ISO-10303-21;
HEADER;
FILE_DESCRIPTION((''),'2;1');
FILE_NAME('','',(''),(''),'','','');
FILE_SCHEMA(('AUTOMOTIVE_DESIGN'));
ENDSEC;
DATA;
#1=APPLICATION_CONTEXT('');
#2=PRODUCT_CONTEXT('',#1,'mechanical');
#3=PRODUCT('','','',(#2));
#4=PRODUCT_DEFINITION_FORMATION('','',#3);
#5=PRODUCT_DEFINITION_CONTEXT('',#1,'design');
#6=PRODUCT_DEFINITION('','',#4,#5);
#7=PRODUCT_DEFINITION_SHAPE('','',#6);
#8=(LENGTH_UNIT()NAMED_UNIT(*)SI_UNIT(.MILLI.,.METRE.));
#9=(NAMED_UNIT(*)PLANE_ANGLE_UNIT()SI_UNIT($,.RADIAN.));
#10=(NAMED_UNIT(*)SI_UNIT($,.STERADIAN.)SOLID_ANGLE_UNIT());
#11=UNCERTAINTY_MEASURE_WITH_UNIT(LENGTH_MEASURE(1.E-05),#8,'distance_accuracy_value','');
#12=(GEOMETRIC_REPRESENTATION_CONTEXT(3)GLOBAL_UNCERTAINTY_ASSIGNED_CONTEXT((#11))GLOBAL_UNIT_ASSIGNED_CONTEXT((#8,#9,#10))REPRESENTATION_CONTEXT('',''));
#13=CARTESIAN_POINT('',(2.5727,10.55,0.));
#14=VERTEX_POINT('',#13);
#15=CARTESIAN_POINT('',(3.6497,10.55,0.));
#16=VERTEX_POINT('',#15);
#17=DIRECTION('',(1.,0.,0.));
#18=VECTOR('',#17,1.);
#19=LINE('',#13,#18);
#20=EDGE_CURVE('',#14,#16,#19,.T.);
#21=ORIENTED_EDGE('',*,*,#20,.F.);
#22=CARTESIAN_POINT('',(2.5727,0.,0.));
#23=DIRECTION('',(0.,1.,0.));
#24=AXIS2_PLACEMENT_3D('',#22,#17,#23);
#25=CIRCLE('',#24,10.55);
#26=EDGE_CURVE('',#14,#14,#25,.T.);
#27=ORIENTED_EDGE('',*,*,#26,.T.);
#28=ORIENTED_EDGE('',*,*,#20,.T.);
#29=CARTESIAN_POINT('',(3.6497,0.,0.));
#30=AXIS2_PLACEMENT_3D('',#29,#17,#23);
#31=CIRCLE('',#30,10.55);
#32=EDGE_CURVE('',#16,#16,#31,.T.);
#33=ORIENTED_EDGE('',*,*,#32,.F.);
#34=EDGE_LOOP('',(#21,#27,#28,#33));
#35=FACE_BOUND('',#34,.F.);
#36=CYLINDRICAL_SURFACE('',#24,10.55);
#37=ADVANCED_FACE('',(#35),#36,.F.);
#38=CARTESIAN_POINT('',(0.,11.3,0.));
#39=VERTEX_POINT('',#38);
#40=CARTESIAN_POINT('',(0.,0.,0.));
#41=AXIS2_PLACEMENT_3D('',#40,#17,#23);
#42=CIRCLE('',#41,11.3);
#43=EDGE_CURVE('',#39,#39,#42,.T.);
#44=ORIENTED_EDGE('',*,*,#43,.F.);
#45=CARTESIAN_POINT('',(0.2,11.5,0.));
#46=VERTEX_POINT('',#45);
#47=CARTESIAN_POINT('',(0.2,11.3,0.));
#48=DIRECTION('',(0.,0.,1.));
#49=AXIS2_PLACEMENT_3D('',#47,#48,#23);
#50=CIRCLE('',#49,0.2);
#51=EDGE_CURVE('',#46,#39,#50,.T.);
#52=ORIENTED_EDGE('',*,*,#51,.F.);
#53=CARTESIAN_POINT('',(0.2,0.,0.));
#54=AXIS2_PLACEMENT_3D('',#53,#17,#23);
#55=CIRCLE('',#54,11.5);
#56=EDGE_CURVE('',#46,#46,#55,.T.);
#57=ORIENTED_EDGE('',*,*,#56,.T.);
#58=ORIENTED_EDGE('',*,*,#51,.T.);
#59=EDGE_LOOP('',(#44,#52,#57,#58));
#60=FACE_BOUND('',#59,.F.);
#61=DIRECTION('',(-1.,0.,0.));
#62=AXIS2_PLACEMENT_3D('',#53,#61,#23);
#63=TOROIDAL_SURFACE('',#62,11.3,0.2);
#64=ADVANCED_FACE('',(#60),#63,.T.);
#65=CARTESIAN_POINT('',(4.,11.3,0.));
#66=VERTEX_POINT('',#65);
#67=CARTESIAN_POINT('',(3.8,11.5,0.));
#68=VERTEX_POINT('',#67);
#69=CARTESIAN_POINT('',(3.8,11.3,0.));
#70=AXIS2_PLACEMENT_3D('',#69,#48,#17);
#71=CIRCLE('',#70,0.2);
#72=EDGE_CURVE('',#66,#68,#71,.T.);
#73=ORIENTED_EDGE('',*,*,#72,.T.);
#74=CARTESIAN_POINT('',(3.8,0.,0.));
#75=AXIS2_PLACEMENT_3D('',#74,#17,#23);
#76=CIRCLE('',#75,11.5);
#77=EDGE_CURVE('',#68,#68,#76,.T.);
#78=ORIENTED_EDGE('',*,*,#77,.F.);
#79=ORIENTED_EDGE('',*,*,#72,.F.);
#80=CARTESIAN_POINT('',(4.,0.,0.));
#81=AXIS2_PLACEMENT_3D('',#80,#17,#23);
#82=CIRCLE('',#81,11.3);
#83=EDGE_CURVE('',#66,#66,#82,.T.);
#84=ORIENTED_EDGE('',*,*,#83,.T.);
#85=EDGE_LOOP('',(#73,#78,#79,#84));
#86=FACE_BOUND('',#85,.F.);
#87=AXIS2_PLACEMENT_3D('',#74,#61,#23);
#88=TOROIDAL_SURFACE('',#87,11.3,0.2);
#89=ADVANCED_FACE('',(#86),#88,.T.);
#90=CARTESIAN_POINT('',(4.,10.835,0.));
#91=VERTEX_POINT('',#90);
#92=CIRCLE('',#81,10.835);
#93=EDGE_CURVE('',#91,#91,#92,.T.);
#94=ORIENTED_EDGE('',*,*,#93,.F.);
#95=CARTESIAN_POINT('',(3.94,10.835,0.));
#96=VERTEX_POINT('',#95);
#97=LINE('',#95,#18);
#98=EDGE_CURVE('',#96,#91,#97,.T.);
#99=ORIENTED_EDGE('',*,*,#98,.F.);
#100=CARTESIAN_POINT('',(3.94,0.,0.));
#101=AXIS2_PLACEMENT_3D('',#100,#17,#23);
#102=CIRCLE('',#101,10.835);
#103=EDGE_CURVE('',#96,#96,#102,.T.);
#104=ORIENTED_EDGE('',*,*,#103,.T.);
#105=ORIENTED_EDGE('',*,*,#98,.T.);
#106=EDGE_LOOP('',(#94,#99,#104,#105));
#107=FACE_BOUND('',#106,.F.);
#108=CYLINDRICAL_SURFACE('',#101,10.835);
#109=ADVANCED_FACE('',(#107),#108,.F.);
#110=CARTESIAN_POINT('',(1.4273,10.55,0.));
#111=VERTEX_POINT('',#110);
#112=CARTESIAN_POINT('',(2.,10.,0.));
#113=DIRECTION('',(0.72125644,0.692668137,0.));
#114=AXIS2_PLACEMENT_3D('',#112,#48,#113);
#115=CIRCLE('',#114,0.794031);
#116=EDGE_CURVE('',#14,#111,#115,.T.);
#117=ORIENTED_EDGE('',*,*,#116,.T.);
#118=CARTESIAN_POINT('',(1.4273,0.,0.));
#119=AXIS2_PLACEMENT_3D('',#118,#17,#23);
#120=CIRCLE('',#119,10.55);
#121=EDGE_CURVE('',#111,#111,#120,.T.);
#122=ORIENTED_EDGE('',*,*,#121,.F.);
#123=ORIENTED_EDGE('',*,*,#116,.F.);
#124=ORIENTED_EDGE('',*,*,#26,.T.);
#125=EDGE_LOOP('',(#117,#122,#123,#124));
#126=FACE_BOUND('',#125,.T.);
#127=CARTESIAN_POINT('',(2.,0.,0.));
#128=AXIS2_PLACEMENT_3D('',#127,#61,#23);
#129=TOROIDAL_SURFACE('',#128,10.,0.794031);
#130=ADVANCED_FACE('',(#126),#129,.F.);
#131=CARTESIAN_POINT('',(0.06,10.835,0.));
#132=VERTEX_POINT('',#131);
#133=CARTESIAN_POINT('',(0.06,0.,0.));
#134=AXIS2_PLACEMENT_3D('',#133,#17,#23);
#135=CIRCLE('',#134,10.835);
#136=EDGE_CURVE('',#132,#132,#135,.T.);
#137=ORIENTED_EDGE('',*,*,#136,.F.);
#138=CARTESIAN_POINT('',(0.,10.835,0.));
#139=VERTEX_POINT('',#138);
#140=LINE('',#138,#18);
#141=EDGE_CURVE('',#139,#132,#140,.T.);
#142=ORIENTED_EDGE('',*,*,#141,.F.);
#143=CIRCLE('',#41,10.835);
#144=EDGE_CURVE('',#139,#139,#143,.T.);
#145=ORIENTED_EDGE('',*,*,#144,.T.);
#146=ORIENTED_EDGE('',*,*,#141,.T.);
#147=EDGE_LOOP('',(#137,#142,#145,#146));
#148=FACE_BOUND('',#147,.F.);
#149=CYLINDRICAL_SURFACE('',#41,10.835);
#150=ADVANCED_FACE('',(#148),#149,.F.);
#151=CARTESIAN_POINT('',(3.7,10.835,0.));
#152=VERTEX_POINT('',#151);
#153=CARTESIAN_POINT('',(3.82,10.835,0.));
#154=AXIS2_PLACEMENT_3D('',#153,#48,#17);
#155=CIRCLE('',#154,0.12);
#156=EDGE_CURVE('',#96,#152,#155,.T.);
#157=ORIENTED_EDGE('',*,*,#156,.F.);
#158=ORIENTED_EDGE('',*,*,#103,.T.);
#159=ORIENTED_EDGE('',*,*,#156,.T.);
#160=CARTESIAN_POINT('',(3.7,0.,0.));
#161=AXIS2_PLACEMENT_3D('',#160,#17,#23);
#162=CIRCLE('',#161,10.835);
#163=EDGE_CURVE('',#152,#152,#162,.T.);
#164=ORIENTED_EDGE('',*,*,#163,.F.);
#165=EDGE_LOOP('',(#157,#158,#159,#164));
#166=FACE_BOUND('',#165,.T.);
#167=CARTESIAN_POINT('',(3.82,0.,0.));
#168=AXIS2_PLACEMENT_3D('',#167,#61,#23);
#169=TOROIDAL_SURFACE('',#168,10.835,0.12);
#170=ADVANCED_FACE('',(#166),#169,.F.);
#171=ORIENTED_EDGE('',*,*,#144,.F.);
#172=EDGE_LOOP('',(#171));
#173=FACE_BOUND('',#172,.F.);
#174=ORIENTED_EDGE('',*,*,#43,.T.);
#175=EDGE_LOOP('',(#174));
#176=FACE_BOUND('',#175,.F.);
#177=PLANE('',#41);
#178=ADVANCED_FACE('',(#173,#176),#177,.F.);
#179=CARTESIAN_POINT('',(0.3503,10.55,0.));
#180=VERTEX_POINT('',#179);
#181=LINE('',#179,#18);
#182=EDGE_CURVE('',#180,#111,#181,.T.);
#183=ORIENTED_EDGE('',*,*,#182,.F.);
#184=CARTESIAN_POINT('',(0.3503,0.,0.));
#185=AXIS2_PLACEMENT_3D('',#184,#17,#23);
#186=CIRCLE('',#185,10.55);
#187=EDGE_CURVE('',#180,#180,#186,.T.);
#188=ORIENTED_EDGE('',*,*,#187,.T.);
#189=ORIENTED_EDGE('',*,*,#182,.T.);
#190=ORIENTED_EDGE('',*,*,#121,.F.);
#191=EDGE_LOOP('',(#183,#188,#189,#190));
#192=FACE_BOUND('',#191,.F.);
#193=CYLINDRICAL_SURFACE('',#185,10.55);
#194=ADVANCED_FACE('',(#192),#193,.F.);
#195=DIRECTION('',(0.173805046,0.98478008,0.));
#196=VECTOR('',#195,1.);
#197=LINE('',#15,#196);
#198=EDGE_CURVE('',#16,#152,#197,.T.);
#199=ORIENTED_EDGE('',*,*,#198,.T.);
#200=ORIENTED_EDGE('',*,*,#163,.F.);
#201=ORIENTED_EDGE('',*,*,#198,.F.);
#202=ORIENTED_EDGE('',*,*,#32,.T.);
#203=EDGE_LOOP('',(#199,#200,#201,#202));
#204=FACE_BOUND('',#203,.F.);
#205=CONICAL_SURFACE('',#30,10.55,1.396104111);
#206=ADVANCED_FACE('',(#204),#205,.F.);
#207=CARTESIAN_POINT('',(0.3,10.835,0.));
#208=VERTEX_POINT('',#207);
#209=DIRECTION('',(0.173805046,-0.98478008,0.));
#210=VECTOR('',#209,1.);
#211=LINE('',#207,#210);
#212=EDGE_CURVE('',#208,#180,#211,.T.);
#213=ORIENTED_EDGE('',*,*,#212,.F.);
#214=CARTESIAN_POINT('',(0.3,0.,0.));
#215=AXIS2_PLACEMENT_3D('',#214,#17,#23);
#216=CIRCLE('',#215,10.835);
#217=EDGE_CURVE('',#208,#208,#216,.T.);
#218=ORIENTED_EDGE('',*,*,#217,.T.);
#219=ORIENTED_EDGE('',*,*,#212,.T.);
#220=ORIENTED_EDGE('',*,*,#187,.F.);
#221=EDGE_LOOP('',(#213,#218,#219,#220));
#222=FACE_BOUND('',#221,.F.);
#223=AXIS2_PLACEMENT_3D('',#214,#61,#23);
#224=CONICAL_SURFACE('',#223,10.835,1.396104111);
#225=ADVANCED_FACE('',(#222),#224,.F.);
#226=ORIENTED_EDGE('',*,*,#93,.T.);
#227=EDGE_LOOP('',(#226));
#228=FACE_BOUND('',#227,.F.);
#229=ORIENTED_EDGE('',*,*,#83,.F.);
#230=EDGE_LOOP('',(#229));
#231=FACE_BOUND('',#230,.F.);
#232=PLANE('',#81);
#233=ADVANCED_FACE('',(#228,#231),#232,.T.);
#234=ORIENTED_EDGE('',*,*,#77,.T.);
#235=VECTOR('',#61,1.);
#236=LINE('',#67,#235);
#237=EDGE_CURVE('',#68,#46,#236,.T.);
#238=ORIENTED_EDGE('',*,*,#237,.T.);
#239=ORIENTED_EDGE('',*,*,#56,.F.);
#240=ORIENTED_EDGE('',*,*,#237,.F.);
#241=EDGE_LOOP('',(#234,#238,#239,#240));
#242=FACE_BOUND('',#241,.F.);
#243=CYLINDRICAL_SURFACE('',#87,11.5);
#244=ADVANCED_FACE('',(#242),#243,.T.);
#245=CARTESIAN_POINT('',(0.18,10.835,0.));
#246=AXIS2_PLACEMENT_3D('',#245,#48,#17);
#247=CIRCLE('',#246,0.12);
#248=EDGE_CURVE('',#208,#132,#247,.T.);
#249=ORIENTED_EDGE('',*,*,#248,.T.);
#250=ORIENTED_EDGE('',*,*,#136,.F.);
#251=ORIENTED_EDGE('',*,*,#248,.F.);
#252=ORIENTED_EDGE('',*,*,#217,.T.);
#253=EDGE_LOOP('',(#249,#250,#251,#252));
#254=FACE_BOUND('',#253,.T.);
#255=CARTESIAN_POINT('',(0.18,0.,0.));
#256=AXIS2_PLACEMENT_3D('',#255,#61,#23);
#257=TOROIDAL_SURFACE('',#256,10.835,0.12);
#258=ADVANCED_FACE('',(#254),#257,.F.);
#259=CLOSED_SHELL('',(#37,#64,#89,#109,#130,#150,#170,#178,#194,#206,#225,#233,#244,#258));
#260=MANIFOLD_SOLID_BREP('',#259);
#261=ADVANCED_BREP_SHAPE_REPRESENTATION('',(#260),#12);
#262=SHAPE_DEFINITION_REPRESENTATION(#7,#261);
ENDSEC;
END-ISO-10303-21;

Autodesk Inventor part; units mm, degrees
ref_plane "YZ Plane" through (0, 0, 0) normal (1, 0, 0) x (0, 1, 0)
ref_plane "XZ Plane" through (0, 0, 0) normal (0, 1, 0) x (-1, 0, 0)
ref_plane "XY Plane" through (0, 0, 0) normal (0, 0, 1) x (1, 0, 0)
sketch "Sketch_16" plane through (0, 0, 0) normal (0, 0, 1) x (1, 0, 0)
  line L0 (50, 0) -> (-50, 0)
  line L1 (0, 10.835) -> (0.06, 10.835)
  arc A0 (0.3, 10.835) -> (0.06, 10.835) centre (0.18, 10.835) ccw
  line L2 (0.3, 10.835) -> (0.3503, 10.55)
  line L3 (0.3503, 10.55) -> (1.4273, 10.55)
  arc A1 (2.5727, 10.55) -> (1.4273, 10.55) centre (2, 10) ccw
  line L4 (2.5727, 10.55) -> (3.6497, 10.55)
  line L5 (3.6497, 10.55) -> (3.7, 10.835)
  arc A2 (3.94, 10.835) -> (3.7, 10.835) centre (3.82, 10.835) ccw
  line L6 (3.94, 10.835) -> (4, 10.835)
  line L7 (4, 10.835) -> (4, 11.3)
  arc A3 (4, 11.3) -> (3.8, 11.5) centre (3.8, 11.3) ccw
  line L8 (3.8, 11.5) -> (0.2, 11.5)
  arc A4 (0.2, 11.5) -> (0, 11.3) centre (0.2, 11.3) ccw
  line L9 (0, 11.3) -> (0, 10.835)
revolve "Revolution1" add sketch "Sketch_16" angle 360 about axis through (50, 0, 0) along (1, 0, 0)
properties part number "SKF_W 61703-2RS1_PART2"
